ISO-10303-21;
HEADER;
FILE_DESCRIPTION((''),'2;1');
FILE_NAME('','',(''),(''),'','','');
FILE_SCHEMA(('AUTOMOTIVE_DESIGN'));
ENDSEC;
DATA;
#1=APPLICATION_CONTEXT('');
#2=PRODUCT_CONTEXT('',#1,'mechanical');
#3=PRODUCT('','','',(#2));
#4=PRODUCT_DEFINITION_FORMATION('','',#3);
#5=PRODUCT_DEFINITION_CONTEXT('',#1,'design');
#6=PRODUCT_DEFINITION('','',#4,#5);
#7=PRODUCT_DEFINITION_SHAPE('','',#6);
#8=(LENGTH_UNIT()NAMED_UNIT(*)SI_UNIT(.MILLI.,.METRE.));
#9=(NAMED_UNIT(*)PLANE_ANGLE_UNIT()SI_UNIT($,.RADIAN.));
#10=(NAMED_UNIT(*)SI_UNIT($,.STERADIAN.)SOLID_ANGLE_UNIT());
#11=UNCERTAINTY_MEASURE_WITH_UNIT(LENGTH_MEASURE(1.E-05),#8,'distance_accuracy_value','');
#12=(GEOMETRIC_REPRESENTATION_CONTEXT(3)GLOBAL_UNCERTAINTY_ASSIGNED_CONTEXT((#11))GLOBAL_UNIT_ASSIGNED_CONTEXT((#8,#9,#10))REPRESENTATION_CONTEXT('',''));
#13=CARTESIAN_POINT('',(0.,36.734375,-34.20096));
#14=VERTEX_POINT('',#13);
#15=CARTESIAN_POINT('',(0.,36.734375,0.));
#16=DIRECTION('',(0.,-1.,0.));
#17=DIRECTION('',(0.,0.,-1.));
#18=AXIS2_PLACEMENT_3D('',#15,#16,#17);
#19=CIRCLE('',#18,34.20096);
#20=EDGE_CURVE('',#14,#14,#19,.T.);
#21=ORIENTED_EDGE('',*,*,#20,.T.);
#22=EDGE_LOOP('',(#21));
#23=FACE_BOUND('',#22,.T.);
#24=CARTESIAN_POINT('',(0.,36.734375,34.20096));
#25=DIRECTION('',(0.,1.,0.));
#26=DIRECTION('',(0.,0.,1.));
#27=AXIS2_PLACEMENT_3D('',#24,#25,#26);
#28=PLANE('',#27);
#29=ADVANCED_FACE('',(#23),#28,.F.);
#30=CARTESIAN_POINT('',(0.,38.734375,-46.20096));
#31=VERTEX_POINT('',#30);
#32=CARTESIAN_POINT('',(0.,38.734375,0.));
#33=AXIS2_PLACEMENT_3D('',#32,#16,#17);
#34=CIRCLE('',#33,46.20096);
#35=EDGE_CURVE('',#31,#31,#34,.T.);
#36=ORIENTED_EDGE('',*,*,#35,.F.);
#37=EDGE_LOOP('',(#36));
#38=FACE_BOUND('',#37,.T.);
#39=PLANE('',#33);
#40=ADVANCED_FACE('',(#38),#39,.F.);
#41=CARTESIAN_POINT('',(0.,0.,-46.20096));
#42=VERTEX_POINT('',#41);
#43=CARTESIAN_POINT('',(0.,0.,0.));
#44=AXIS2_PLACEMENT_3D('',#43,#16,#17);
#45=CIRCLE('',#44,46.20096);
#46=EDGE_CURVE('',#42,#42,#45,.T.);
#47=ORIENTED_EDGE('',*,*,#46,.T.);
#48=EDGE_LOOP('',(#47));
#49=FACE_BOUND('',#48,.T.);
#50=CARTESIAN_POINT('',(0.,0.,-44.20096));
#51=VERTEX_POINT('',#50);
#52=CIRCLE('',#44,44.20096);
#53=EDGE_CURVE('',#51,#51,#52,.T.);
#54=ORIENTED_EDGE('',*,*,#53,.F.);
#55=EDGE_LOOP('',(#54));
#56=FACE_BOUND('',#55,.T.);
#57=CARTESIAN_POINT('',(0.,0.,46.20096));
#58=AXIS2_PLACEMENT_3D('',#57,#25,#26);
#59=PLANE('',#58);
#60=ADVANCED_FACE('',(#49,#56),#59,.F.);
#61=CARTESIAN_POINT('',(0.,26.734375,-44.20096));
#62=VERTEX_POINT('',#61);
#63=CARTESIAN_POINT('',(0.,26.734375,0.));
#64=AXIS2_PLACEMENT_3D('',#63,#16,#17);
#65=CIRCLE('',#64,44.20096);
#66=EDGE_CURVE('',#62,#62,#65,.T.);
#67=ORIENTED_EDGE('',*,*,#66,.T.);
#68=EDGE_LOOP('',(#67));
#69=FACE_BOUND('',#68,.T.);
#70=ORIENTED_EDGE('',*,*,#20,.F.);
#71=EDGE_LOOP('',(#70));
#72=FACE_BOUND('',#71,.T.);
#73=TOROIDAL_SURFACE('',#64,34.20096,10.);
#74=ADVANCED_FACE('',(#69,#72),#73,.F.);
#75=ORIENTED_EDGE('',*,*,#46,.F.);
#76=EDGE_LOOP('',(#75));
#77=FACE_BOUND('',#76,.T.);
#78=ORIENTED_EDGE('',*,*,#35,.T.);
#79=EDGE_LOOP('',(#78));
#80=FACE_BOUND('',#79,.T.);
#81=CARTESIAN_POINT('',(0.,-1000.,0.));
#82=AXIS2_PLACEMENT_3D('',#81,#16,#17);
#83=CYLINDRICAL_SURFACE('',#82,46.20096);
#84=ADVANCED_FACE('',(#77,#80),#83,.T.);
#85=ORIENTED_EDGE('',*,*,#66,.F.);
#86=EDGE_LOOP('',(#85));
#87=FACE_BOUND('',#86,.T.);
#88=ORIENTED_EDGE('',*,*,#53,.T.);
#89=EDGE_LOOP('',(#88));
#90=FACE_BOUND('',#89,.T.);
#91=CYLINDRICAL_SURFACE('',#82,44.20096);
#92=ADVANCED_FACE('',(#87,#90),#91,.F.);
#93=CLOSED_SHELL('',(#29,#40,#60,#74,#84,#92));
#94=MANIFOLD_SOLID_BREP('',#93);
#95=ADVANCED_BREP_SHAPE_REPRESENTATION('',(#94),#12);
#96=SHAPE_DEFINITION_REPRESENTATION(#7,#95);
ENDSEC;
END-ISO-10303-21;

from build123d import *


with BuildPart() as part:
    # Sketch1 → Revolve1 (revolve)
    with BuildSketch(Plane(origin=(0, 0, 0), x_dir=(0, 0, -1), z_dir=(1, 0, 0)), mode=Mode.PRIVATE) as revolve1_sk:
        with BuildLine():
            Line((-44.200960454, 0), (-44.200960454, 26.734375))
            ThreePointArc((-44.200960454, 26.734375), (-41.272028266, 33.805442812), (-34.200960454, 36.734375))
            Line((-34.200960454, 36.734375), (0, 36.734375))
            Line((0, 36.734375), (0, 38.734375))
            Line((0, 38.734375), (-46.200960454, 38.734375))
            Line((-46.200960454, 38.734375), (-46.200960454, 0))
            Line((-46.200960454, 0), (-44.200960454, 0))
        make_face()
    revolve(revolve1_sk.sketch.rotate(Axis((0, -1000, 0), (0, 1, 0)), 180), axis=Axis((0, -1000, 0), (0, 1, 0)))


solid = part.part
